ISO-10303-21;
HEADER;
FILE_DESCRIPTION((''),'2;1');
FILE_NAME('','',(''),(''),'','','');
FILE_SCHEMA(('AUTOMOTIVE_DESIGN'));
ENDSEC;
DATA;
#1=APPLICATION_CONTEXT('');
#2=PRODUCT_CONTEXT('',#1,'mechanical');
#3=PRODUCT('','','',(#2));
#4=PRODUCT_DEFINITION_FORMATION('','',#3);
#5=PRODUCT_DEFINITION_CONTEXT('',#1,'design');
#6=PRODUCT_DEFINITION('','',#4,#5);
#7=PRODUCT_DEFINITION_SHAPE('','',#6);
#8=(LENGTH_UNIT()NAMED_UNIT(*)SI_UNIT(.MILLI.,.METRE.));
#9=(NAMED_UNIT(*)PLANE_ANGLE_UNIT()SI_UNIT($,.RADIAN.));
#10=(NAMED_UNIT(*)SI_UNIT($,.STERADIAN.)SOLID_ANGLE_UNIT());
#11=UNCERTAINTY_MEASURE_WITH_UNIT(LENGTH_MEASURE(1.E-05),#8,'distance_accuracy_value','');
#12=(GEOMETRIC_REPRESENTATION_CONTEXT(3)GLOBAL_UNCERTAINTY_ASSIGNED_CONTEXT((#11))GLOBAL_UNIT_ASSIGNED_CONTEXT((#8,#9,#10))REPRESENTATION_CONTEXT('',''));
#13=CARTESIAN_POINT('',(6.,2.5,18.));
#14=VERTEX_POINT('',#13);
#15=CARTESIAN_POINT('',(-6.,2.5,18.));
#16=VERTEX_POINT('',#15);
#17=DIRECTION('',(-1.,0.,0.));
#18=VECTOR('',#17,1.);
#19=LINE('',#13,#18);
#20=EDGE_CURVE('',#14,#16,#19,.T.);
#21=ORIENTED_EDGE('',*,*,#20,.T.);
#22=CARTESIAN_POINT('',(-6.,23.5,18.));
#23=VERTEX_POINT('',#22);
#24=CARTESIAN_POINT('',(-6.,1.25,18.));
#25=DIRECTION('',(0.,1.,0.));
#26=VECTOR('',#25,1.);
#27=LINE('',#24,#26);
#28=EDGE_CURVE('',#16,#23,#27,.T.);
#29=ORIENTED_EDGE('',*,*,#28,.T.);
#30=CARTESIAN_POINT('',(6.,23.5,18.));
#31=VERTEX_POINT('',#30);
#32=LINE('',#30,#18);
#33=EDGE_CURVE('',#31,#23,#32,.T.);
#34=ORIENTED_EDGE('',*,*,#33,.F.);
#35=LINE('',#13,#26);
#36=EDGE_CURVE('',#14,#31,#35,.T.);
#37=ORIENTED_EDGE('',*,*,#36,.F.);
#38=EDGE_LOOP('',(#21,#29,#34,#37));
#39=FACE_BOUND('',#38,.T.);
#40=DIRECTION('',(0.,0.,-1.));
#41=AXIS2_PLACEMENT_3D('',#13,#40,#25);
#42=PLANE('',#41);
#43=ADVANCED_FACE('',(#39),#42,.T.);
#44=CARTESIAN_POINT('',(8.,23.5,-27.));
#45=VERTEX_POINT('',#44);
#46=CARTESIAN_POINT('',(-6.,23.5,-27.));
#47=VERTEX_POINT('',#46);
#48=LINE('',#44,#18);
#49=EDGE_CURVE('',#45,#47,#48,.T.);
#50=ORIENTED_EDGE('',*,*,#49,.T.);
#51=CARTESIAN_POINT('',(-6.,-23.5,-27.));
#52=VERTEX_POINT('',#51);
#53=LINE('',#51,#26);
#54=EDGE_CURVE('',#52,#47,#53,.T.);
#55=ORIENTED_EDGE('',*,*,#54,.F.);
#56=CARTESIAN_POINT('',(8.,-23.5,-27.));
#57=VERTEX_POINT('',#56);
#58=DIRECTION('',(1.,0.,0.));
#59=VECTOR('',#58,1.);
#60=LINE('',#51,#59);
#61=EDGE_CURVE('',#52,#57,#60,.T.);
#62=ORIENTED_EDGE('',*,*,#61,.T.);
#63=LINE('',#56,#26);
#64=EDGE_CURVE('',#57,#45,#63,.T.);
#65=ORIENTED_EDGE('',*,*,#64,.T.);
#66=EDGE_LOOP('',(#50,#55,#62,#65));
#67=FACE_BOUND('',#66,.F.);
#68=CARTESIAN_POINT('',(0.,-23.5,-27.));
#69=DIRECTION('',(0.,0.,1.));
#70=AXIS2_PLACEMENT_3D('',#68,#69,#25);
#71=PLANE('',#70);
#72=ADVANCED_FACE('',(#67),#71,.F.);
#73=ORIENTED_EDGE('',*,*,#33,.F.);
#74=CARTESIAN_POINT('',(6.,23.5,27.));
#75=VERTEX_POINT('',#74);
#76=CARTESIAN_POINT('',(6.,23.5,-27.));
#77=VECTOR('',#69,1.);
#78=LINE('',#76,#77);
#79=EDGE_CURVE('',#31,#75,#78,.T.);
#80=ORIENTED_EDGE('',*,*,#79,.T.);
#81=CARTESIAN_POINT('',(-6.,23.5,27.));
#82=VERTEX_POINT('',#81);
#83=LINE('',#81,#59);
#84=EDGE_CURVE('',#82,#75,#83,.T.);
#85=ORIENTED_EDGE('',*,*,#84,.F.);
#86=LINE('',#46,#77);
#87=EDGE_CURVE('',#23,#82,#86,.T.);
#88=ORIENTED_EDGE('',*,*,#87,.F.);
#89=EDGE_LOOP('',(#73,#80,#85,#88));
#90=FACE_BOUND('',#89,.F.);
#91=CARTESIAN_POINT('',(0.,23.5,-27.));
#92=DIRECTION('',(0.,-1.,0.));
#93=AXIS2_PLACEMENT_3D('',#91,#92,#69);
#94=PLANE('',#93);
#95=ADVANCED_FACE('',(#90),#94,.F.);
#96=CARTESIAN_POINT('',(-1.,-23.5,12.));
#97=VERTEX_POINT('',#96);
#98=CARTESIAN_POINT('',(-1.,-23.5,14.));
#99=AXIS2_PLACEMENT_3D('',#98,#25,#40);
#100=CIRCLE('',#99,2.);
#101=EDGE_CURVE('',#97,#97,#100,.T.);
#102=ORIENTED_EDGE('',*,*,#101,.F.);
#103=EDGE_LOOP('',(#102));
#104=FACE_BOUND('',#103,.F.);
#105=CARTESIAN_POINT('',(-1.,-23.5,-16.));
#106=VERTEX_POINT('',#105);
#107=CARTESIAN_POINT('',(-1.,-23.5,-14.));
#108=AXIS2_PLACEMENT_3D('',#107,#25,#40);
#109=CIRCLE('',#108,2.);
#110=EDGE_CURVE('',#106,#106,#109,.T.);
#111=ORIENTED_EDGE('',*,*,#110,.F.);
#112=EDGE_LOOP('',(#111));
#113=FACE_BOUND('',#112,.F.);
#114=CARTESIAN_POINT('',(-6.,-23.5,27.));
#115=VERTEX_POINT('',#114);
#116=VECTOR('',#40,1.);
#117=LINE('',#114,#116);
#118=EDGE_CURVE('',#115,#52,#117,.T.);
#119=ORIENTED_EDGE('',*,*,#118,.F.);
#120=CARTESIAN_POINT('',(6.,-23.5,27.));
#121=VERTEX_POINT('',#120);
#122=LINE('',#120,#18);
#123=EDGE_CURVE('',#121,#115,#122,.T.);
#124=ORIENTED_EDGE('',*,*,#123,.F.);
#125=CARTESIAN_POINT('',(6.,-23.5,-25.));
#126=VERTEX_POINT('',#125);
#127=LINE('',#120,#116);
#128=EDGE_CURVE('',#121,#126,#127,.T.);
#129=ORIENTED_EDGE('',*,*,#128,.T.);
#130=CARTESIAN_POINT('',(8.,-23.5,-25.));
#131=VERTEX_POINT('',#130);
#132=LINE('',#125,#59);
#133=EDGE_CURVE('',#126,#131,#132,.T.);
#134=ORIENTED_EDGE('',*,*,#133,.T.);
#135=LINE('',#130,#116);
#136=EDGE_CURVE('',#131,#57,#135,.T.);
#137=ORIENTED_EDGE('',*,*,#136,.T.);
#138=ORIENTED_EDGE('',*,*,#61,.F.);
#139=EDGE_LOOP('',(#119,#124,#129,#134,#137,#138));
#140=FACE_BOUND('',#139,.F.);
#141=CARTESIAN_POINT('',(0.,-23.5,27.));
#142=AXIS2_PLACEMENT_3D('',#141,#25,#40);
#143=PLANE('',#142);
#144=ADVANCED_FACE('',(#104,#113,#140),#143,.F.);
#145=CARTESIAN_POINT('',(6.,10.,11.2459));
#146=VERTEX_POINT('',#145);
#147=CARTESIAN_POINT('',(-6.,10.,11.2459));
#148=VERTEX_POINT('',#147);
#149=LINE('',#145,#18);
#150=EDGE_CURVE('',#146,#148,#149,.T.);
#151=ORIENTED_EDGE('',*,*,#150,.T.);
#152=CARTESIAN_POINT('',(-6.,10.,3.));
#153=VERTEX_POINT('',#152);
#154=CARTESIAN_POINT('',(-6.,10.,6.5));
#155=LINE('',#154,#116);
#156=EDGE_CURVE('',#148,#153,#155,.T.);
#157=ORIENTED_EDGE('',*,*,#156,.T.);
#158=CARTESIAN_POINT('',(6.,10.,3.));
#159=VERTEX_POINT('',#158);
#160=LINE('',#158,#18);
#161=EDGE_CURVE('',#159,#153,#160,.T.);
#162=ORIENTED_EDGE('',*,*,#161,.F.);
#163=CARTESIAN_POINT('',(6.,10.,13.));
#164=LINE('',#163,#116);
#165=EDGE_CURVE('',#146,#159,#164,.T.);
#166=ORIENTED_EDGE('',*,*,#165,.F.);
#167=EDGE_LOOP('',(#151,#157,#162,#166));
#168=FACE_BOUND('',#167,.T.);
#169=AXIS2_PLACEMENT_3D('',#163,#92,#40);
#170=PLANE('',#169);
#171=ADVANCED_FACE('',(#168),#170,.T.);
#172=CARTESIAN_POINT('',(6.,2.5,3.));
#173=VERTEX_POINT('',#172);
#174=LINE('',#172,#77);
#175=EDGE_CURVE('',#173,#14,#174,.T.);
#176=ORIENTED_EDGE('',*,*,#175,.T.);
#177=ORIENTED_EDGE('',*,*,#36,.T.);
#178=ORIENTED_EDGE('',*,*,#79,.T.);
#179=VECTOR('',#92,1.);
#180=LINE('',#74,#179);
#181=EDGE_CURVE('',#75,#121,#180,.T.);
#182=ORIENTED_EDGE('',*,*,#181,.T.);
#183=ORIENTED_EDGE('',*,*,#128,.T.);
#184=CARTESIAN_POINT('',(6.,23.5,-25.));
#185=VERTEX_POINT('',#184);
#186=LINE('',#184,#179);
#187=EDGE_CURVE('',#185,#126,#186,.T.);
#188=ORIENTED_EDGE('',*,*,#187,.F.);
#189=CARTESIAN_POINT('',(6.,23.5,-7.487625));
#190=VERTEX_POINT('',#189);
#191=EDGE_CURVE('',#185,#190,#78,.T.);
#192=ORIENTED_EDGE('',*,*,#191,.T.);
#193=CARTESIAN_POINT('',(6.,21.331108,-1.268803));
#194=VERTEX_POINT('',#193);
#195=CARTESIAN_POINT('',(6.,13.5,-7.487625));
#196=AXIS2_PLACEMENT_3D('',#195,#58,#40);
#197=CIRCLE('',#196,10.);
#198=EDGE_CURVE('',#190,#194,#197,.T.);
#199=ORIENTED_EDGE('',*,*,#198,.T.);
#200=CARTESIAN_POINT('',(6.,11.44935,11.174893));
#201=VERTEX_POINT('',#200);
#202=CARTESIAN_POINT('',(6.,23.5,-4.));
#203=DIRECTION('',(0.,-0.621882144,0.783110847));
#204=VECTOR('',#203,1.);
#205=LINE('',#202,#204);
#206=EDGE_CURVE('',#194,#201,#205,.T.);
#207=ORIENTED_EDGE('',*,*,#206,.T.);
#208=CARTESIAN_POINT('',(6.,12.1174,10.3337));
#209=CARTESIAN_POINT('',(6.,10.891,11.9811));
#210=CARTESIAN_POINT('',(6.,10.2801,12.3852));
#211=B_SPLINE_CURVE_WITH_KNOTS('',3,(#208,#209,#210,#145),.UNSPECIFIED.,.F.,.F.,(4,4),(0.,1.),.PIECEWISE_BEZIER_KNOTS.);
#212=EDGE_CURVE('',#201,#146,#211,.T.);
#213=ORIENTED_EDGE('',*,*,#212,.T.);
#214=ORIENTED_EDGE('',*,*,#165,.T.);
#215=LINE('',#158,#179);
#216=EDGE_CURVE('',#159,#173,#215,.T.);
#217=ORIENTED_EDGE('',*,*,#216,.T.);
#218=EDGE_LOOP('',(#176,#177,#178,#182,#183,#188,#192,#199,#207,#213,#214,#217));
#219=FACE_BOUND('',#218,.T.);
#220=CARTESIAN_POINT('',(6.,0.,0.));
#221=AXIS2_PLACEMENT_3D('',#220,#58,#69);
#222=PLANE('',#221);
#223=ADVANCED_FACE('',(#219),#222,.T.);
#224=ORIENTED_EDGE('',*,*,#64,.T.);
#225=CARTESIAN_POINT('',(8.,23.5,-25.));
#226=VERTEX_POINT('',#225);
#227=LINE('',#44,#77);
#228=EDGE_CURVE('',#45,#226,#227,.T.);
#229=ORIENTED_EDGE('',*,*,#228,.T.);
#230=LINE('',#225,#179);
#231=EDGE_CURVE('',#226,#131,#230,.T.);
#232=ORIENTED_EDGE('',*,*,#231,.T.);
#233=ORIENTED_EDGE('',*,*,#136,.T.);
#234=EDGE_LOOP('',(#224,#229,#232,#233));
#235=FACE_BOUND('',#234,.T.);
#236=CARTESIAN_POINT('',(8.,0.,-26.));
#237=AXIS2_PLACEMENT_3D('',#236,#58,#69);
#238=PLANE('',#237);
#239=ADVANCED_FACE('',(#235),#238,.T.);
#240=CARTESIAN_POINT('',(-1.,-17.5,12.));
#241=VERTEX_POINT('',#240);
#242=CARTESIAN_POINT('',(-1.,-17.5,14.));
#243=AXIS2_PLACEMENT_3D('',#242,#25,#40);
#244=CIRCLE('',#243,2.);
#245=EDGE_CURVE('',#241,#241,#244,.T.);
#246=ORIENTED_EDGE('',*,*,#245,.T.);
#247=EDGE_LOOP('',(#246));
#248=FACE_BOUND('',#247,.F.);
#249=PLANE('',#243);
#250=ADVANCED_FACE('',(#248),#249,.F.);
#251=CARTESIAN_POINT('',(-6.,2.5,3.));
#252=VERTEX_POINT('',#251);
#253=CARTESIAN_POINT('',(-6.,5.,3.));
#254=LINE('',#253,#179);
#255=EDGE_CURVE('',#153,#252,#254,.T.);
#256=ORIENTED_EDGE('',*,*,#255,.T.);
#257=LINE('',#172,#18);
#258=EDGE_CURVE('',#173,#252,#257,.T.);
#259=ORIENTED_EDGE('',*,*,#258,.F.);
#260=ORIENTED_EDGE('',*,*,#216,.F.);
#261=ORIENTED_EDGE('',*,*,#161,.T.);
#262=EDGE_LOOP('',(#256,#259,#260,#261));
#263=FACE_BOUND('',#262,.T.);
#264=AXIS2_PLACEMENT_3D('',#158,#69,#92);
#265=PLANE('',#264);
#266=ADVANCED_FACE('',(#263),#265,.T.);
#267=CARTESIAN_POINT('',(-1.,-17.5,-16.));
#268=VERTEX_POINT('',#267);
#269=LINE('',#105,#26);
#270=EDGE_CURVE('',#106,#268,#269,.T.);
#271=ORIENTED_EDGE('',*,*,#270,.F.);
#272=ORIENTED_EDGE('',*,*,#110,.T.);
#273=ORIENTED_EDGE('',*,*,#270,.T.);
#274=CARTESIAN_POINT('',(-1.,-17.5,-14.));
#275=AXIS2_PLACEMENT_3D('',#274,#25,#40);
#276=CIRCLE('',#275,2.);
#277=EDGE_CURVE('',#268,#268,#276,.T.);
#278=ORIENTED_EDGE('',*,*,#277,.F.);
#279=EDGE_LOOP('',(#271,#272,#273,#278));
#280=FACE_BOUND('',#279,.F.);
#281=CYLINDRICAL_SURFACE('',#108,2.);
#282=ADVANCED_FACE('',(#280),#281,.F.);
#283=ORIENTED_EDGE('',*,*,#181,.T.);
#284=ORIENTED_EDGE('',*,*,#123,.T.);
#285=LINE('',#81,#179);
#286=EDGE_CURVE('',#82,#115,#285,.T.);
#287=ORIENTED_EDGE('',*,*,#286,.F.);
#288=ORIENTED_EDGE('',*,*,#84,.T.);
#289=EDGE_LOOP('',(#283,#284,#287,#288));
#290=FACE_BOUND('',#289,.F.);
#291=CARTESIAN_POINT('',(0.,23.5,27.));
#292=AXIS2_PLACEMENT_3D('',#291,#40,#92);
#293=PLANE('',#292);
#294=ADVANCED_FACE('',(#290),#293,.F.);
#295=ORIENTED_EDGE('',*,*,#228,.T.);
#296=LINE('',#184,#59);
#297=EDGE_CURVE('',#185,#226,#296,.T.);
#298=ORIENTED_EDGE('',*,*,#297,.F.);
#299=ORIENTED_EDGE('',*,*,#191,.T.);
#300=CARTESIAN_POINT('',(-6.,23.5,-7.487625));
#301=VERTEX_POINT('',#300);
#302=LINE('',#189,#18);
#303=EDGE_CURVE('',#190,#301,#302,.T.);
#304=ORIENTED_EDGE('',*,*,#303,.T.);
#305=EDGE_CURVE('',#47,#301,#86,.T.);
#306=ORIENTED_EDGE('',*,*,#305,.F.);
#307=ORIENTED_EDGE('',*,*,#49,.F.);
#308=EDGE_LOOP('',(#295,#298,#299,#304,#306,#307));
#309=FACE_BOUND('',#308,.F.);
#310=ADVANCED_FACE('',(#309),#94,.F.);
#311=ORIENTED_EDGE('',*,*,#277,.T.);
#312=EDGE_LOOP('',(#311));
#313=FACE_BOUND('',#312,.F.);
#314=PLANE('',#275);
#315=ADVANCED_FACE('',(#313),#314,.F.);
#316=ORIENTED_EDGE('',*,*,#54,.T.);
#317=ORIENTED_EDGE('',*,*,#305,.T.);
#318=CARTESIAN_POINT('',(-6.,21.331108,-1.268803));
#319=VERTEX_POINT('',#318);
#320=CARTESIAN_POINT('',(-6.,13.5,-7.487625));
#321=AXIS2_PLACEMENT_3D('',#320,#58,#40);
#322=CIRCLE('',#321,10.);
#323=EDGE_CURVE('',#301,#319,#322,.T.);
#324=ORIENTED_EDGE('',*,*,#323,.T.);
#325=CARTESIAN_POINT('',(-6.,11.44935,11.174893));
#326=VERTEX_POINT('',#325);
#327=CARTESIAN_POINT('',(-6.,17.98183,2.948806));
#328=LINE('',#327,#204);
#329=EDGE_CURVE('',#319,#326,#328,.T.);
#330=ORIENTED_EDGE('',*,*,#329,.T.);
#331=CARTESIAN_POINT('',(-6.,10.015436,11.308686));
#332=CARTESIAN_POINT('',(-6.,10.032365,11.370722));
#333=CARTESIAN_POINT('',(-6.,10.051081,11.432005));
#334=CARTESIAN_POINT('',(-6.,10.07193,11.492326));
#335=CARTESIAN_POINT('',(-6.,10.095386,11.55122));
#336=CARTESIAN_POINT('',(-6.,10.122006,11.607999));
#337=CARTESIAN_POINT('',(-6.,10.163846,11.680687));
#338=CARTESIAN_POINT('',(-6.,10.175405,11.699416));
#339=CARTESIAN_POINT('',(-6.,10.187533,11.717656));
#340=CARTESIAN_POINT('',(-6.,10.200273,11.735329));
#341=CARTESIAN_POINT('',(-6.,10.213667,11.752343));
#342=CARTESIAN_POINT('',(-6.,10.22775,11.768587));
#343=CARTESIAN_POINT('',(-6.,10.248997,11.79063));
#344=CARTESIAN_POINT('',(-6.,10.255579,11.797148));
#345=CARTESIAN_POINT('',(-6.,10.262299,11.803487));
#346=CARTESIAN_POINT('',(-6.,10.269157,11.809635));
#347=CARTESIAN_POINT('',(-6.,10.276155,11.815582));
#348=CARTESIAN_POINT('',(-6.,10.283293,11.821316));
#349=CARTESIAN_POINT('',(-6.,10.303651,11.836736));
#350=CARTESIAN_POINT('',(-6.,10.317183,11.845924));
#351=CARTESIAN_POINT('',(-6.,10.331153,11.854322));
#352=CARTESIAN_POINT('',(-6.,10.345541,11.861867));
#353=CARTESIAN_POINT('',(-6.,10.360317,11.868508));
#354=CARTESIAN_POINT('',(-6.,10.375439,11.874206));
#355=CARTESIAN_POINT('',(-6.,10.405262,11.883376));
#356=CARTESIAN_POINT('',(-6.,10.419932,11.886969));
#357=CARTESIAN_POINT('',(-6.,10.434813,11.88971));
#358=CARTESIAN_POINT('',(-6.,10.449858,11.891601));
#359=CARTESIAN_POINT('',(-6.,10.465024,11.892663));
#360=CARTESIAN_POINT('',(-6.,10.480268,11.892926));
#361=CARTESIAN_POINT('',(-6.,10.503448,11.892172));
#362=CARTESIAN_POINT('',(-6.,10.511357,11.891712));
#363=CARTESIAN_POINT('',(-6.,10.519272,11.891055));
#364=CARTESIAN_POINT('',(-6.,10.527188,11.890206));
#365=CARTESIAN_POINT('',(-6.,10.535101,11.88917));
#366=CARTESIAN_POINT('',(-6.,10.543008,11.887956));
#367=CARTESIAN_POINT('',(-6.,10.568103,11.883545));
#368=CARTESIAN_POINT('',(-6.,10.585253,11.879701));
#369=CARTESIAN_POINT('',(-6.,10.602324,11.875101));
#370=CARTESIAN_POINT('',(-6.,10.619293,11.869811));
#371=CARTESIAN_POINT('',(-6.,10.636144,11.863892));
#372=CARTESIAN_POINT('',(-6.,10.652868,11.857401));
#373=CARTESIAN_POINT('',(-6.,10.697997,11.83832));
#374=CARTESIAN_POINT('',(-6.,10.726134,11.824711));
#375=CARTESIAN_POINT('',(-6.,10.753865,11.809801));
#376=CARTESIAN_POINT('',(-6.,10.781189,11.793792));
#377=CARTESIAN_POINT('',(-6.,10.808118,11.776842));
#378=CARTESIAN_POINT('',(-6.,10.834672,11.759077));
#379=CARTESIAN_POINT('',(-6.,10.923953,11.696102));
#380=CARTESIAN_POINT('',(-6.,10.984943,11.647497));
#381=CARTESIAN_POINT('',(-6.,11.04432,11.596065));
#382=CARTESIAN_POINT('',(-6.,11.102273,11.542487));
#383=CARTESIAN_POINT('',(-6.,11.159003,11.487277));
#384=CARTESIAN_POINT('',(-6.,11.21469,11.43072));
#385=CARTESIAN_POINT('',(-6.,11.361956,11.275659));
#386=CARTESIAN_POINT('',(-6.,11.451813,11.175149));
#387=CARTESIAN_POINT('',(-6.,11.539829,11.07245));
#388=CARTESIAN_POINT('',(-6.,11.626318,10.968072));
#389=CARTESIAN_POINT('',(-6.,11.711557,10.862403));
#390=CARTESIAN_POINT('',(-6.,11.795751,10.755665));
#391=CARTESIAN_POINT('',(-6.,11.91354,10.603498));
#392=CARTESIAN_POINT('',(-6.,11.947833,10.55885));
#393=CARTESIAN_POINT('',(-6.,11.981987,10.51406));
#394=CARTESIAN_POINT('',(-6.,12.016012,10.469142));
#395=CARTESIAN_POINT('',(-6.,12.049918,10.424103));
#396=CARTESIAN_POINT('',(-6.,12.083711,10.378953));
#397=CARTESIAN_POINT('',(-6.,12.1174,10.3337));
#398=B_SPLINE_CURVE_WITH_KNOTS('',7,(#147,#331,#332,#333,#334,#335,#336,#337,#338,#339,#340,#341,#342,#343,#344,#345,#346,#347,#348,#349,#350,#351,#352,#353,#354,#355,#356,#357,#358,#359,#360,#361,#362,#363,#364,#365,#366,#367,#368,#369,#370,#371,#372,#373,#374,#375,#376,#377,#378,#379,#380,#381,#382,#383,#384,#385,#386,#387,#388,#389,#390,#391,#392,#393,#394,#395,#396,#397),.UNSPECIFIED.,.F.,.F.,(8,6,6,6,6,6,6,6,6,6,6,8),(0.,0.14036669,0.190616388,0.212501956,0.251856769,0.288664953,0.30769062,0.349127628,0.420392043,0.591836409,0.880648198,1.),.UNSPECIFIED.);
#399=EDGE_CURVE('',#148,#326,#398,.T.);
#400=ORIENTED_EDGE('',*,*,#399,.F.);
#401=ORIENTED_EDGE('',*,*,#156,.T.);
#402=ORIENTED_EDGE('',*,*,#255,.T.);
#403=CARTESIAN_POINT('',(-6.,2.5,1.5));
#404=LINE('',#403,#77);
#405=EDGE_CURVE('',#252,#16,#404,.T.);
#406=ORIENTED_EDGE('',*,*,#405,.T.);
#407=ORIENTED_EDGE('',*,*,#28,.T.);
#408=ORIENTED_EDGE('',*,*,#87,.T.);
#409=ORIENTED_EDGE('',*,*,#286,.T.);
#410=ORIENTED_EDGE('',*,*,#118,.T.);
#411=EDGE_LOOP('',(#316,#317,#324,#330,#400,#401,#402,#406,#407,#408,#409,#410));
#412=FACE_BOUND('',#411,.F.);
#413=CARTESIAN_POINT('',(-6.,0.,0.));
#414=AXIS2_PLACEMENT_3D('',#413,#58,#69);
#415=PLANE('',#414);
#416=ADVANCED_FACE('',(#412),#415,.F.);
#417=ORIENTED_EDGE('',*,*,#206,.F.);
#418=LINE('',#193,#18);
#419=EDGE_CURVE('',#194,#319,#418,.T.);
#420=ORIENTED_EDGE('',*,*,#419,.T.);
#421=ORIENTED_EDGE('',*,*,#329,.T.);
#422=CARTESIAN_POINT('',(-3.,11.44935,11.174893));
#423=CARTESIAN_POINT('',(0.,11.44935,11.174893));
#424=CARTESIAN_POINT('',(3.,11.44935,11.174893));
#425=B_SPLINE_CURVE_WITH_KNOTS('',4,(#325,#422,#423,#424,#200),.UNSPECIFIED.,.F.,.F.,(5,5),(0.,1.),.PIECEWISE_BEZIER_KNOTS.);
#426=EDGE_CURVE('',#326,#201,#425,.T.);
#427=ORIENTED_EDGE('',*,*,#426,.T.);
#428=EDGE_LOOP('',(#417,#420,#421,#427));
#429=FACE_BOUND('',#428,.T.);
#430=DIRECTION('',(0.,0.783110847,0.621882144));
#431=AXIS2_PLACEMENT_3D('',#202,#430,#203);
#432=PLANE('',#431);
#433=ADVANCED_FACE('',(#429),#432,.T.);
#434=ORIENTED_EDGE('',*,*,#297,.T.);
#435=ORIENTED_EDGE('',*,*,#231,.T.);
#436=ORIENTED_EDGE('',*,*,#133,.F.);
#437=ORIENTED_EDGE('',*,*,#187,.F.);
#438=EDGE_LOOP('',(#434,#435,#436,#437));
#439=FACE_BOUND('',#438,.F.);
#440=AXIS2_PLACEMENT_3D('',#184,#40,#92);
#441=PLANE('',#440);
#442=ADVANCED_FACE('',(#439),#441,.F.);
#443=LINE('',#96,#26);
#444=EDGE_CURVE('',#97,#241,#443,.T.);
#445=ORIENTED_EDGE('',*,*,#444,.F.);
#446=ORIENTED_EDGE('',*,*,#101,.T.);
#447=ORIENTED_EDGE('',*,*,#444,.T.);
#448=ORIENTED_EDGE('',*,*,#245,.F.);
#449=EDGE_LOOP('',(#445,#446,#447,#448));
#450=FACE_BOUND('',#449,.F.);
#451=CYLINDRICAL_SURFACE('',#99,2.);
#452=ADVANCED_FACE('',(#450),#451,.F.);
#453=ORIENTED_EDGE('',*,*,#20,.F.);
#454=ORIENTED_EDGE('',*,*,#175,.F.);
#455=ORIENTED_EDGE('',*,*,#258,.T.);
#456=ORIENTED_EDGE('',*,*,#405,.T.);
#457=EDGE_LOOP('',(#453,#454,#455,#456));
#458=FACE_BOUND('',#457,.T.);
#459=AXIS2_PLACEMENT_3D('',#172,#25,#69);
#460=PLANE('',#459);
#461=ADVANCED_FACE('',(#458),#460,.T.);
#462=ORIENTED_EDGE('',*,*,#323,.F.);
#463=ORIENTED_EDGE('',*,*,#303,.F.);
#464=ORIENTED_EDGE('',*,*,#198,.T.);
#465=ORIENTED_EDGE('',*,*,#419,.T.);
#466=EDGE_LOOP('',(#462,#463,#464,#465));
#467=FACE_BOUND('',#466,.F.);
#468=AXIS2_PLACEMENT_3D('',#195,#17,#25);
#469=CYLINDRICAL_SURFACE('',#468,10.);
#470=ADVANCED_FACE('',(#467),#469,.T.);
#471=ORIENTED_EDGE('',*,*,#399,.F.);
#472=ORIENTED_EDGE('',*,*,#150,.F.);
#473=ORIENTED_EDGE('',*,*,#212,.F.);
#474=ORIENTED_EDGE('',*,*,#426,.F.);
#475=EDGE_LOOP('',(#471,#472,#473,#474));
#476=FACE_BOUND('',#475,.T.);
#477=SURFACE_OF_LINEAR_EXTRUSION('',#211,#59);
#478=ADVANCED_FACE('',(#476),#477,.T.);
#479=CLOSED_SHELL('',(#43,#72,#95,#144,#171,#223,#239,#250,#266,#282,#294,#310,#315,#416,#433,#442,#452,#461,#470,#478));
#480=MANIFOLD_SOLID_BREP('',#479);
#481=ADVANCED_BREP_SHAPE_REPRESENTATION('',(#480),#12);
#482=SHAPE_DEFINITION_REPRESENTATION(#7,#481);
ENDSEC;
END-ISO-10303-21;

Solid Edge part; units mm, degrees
sketch "Sketch1" plane through (0, 0, 0) normal (1, 0, 0) x (0, 1, 0)
  line L0 (-23.5, -27) -> (23.5, -27)
  line L1 (23.5, -27) -> (23.5, 27)
  line L2 (23.5, 27) -> (-23.5, 27)
  line L3 (-23.5, 27) -> (-23.5, -27)
  dimension "D1" = 54
  dimension "D2" = 47
extrude "Protrusion1" add sketch "Sketch1" along normal mid plane 12
hole "Bohrung_1" at (-1, -23.5, 14) direction (0, 1, 0) diameter 4 depth 6
hole "Hole1" at (-1, -23.5, -14) direction (0, 1, 0) diameter 4 depth 6
sketch "Sketch2" plane through (6, 0, 0) normal (1, 0, 0) x (0, 1, 0)
  line L0 (23.5, -4) -> (10, 13)
  line L1 (10, 13) -> (10, 3)
  line L2 (10, 3) -> (2.5, 3)
  line L3 (2.5, 3) -> (2.5, 18)
  line L4 (2.5, 18) -> (23.5, 18)
  line L5 (23.5, 18) -> (23.5, -4)
  dimension "D1" = 21
  dimension "D2" = 7.5
  dimension "D3" = 10
  dimension "D4" = 15
  dimension "D5" = 23
  dimension "D6" = 30
extrude "Extrusionsausschnitt_1" cut sketch "Sketch2" against normal blind 135.5146
sketch "Sketch3" plane through (6, 0, 0) normal (1, 0, 0) x (0, 1, 0)
  spline S0 degree 3 poles (12.1174, 10.3337) (10.891, 11.9811) (10.2801, 12.3852) (10, 11.2459) knots 0 0 0 0 1 1 1 1
  line L0 (9.0244, 13.5703) -> (10, 11.2459)
  line L1 (12.1174, 14.0202) -> (9.0244, 13.5703)
  line L2 (12.1174, 10.3337) -> (12.1174, 14.0202)
extrude "Extrusionsausschnitt_3" cut sketch "Sketch3" along normal mid plane 89.7467
fillet "Verrundung_1" radius 10 1 edges at (0, 23.5, -4)
sketch "Sketch4" plane through (6, 0, 0) normal (1, 0, 0) x (0, 1, 0)
  line L0 (-23.5, -27) -> (23.5, -27)
  line L1 (23.5, -27) -> (23.5, -25)
  line L2 (23.5, -25) -> (-23.5, -25)
  line L3 (-23.5, -25) -> (-23.5, -27)
  dimension "D1" = 2
extrude "Extrusionsausprägung_5" add sketch "Sketch4" along normal blind 2
properties part number "40" material "Polyacticacid"
